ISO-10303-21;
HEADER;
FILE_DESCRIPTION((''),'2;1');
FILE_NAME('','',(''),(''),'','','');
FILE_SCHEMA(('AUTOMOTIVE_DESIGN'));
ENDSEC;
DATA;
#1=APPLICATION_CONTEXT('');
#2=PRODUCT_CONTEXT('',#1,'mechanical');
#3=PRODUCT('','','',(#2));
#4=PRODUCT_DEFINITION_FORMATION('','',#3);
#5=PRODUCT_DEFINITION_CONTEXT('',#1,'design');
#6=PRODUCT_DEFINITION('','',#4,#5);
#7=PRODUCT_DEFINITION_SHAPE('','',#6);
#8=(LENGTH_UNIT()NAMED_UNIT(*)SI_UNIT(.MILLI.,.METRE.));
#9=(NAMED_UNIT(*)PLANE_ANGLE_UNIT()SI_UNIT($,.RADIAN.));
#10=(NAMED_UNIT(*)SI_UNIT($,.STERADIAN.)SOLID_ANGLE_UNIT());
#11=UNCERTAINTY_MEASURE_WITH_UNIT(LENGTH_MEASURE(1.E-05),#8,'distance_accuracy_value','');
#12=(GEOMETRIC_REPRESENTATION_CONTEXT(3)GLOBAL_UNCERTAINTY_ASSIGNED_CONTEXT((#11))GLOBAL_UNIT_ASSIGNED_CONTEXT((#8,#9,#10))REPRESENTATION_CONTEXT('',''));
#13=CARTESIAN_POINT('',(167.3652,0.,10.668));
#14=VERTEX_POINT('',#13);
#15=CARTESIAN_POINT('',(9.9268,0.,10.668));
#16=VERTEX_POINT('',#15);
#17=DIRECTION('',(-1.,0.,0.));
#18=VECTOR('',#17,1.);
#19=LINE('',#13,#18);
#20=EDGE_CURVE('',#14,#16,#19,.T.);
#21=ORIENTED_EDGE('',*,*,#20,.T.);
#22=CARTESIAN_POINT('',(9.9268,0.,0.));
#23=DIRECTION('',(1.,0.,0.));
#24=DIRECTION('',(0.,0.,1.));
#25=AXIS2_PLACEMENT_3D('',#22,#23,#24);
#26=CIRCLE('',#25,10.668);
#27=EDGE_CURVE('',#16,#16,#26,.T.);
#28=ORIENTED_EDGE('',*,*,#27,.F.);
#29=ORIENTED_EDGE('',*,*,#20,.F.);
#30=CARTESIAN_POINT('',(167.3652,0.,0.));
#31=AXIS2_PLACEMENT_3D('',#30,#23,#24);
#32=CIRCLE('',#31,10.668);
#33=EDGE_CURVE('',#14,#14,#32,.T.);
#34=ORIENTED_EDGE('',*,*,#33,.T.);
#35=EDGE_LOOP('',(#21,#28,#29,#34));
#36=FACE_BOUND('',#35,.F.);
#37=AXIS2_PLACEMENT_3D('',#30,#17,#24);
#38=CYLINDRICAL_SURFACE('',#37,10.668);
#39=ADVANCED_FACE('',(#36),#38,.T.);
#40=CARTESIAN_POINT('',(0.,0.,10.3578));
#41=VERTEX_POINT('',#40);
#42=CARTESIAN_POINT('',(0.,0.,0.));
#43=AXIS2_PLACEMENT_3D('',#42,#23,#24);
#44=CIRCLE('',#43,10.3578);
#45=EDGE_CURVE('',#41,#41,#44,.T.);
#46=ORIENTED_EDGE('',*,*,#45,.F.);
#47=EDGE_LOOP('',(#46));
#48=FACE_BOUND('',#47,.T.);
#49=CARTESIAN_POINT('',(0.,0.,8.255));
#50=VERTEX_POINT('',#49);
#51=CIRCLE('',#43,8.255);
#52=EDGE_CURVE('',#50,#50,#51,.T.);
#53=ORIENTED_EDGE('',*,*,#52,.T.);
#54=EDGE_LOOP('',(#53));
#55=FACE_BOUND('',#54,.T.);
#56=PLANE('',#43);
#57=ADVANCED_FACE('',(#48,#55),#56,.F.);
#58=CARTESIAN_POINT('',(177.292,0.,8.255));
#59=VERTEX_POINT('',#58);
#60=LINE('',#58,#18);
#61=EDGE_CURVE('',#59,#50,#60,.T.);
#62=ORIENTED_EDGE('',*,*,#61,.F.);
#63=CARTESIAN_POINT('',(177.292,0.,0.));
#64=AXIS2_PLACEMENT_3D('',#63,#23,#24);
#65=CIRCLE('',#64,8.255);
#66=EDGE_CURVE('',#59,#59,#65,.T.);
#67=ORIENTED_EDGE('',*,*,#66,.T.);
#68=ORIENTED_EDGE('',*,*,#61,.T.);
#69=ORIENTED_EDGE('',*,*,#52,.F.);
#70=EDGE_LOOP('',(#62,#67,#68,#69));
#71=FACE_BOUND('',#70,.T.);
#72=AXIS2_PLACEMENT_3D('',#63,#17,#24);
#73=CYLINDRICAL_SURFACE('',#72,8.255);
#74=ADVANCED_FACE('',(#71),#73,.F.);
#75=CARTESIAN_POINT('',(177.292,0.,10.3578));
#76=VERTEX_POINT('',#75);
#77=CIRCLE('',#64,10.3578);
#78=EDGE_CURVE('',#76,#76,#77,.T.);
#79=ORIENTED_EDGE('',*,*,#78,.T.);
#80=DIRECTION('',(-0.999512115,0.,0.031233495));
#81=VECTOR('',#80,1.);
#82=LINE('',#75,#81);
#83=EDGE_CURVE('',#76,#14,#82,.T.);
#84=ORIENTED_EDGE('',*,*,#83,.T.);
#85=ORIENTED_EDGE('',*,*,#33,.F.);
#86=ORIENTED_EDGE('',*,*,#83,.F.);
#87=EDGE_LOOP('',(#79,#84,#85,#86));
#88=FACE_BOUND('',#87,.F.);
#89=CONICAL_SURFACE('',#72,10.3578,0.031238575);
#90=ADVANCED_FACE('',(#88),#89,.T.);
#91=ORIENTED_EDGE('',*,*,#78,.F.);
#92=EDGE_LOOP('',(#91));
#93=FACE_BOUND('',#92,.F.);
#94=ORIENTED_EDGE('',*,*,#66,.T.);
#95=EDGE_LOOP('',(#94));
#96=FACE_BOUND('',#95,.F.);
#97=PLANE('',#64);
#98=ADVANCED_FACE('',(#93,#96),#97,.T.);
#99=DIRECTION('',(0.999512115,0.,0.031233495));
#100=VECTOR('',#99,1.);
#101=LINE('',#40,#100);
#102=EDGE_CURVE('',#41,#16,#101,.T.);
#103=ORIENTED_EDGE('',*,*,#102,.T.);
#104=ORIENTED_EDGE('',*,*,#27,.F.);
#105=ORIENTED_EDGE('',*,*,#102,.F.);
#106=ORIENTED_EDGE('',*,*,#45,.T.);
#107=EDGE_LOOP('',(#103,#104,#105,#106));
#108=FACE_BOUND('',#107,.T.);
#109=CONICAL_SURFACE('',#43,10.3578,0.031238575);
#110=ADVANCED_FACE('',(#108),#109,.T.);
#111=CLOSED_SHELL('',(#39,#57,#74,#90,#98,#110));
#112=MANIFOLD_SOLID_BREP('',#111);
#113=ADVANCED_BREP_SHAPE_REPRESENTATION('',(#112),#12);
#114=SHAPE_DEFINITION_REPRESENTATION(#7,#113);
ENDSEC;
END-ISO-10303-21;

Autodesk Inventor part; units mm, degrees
ref_plane "YZ Plane" through (0, 0, 0) normal (1, 0, 0) x (0, 1, 0)
ref_plane "XZ Plane" through (0, 0, 0) normal (0, 1, 0) x (-1, 0, 0)
ref_plane "XY Plane" through (0, 0, 0) normal (0, 0, 1) x (1, 0, 0)
sketch "Sketch1" plane through (0, 0, 0) normal (0, 1, 0) x (-1, 0, 0)
  line L0 (0, 0) -> (-177.292, 0)
  line L1 (-177.292, 0) -> (-177.292, 8.255) construction
  line L2 (-177.292, 8.255) -> (-177.292, 10.3578)
  line L3 (-177.292, 10.3578) -> (-167.3652, 10.668)
  line L4 (-167.3652, 10.668) -> (-9.9268, 10.668)
  line L5 (-88.646, 0) -> (-88.646, 10.668) construction
  line L6 (-177.292, 8.255) -> (0, 8.255)
  line L7 (0, 0) -> (0, 8.255) construction
  line L8 (0, 8.255) -> (0, 10.3578)
  line L9 (0, 10.3578) -> (-9.9268, 10.668)
  line L10 (-163.736, 10.7814) -> (-163.736, 0) construction
  line L11 (-13.556, 10.7814) -> (-13.556, 0) construction
  line L12 (-167.3652, 10.668) -> (-163.736, 10.7814) construction
  line L13 (-167.3652, 10.668) -> (-167.3652, 0) construction
  line L14 (-9.9268, 10.668) -> (-13.556, 10.7814) construction
  line L15 (-9.9268, 10.668) -> (-9.9268, 0) construction
  dimension "d0" = 21.336
  dimension "d1" = 1.79
  dimension "d2" = 16.51
  dimension "d3" = 177.292
  dimension "d4" = 13.556
  dimension "d5" = 21.5628
revolve "Revolution1" add sketch "Sketch1" angle 360 about axis through (0, 0, 0) along (1, 0, 0)
thread "Thread1" size "1/2" designation "1/2 - 14 NPT" standard "NPT" full length
thread "Thread2" size "1/2" designation "1/2 - 14 NPT" standard "NPT" full length
equation "\"d0\" = OD"
equation "\"d2\" = ID"
equation "\"d3\" = L"
equation "\"d4\" = L2"
equation "\"d5\" = D2"
equation "\"OD\" = 21.336"
equation "\"t\" = 2.413"
equation "\"L\" = PL"
equation "\"L4\" = 19.8501"
equation "\"ID\" = 16.51"
equation "\"PL\" = 177.292"
equation "\"D2\" = 21.56282"
equation "\"L2\" = 13.55598"
equation "\"Size_Designation\" = 1.2345"
equation "\"PLmin\" = 2 * L2"
properties material "Steel, Wrought"
